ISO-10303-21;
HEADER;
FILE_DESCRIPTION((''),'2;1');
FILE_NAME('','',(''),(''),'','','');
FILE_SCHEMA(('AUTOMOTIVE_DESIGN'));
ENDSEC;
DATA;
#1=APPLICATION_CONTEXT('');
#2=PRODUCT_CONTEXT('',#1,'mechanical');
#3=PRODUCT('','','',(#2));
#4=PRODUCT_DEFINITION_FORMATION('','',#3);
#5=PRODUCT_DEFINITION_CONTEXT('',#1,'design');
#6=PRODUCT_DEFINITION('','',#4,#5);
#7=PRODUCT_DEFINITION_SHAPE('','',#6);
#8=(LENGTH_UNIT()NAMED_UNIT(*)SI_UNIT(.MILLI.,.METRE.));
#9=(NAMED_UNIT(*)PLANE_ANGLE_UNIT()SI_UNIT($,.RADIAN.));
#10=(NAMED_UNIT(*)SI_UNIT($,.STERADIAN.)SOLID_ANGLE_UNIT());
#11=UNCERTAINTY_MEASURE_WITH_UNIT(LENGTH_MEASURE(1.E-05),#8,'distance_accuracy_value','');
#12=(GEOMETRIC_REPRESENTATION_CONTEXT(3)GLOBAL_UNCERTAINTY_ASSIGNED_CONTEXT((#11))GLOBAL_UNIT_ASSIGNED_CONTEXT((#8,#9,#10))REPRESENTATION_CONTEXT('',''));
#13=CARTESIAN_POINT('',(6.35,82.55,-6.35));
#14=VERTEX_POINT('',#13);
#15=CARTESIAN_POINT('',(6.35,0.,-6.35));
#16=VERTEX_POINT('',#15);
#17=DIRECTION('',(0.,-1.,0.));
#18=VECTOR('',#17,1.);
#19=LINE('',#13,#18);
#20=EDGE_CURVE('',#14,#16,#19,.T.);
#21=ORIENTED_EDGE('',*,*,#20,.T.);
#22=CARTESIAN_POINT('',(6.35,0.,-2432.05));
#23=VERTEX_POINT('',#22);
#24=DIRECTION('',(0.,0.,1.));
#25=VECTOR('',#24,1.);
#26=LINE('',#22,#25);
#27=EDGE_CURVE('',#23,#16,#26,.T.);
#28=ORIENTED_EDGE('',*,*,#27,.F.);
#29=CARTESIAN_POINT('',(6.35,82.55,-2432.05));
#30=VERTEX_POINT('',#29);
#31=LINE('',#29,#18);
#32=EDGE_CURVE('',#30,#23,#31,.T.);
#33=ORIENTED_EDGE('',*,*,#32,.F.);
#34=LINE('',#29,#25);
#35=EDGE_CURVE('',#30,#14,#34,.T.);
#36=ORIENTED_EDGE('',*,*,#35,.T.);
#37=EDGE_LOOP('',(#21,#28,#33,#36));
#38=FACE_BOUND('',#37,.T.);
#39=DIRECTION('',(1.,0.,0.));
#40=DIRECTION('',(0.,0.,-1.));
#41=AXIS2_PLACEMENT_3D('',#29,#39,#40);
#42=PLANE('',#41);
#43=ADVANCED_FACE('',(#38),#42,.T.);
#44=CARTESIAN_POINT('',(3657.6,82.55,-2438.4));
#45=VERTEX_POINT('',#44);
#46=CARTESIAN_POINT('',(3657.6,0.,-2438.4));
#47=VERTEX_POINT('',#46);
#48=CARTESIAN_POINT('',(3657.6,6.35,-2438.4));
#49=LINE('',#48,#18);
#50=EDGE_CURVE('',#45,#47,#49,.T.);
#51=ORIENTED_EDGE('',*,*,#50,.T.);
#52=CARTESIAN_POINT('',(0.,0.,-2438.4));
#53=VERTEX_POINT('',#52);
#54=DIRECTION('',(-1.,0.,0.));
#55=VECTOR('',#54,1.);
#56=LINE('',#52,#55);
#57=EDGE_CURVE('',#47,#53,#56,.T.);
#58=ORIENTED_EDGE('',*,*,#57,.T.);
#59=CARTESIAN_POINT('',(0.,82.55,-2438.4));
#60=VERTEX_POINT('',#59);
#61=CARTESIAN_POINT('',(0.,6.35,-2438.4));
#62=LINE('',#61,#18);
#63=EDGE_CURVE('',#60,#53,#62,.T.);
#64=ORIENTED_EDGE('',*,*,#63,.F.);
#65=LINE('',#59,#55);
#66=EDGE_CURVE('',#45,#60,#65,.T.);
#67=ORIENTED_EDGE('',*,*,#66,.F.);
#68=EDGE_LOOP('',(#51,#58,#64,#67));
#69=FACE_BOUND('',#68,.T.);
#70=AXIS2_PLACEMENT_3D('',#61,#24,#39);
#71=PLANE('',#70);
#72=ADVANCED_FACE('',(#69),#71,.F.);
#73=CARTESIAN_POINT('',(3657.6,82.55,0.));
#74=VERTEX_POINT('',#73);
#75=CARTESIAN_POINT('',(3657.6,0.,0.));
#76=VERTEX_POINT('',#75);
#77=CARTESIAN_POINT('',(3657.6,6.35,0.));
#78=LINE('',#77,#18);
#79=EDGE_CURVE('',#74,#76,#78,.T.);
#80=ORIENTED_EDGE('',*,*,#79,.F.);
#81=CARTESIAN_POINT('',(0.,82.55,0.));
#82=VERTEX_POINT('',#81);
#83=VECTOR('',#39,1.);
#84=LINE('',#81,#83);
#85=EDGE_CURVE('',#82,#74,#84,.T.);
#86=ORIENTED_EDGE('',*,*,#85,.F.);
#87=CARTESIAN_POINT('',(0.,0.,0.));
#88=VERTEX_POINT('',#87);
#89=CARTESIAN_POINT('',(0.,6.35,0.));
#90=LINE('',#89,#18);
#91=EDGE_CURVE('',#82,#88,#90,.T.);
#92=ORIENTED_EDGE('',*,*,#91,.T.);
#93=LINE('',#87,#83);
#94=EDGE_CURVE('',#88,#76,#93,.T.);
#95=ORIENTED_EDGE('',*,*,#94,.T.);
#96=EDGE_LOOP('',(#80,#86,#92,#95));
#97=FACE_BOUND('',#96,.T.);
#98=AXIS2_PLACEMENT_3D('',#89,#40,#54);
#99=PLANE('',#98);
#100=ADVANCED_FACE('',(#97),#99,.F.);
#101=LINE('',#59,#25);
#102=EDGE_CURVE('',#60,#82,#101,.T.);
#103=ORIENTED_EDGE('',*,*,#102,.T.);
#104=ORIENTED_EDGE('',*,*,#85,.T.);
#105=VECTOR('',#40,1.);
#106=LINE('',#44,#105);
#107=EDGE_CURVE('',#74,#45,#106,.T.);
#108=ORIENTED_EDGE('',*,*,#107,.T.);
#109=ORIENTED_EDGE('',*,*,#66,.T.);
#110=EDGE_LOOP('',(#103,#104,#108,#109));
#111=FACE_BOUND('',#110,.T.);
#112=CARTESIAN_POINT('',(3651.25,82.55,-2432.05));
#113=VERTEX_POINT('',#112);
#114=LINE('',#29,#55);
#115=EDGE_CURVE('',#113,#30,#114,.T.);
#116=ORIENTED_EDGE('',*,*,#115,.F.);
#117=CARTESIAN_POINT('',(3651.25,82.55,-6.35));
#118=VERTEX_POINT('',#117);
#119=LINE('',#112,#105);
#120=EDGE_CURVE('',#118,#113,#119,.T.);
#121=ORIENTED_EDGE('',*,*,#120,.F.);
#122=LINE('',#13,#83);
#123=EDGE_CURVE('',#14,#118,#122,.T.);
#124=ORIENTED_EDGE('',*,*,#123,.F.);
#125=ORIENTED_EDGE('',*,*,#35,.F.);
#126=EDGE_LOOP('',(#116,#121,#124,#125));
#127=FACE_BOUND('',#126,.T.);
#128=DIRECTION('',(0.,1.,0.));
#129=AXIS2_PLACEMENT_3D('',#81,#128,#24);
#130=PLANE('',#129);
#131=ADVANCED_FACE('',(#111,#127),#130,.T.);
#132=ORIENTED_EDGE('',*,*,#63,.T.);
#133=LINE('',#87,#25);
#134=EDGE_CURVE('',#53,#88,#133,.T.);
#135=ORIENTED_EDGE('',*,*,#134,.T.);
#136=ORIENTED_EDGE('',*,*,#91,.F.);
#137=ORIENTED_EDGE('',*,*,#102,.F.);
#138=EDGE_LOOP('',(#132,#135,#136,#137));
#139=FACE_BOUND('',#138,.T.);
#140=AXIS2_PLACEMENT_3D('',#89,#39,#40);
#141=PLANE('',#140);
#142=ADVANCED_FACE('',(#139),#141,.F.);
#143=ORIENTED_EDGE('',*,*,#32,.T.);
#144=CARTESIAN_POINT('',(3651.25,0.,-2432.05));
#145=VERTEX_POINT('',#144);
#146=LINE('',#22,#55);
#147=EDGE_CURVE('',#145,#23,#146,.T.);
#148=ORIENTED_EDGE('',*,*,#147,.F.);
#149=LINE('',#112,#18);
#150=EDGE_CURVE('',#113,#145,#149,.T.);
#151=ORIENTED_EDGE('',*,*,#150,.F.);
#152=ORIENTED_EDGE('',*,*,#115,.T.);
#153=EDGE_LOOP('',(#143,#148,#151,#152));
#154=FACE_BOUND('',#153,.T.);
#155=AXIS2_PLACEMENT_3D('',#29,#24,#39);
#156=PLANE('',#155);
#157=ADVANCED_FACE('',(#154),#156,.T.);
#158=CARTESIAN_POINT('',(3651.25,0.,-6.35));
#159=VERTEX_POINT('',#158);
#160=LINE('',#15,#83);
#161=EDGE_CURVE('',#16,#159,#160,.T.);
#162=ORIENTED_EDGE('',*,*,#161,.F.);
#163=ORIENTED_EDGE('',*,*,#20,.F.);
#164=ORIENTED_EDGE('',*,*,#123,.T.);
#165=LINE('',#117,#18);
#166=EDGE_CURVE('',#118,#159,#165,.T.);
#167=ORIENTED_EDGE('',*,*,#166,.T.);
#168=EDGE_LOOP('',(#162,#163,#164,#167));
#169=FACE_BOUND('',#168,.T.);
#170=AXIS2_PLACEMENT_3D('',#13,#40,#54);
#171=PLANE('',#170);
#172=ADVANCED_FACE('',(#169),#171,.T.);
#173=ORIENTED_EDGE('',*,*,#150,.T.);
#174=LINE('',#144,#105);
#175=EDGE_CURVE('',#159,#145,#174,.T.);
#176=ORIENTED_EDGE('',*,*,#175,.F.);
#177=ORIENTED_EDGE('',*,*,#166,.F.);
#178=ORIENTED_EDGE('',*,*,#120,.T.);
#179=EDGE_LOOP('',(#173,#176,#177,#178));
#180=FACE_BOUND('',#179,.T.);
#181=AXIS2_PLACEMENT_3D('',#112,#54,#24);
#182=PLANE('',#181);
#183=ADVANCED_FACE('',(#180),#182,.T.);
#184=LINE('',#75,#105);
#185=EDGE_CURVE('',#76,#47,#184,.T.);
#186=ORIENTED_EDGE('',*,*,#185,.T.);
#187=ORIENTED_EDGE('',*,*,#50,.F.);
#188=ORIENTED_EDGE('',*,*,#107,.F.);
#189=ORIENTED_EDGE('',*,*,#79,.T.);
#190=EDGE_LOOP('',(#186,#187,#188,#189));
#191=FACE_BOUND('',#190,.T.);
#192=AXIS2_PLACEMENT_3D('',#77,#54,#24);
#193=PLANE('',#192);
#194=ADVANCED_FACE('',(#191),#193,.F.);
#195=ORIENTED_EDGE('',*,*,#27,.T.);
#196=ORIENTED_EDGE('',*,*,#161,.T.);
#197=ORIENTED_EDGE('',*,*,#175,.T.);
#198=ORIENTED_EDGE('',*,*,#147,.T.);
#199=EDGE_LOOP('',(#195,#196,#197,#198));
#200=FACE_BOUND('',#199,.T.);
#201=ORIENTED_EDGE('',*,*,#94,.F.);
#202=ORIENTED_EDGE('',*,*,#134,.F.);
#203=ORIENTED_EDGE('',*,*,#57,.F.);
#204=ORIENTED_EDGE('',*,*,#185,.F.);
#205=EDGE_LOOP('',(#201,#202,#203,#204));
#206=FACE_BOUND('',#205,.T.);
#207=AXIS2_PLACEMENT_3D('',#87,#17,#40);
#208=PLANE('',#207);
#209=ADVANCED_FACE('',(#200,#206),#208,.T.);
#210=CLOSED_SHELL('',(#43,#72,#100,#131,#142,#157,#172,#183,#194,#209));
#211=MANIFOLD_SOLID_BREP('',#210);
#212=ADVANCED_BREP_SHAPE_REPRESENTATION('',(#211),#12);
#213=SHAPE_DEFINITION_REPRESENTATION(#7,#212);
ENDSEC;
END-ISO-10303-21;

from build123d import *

# Parameters (mm, degrees)
SKETCH1_W           = 3657.6
SKETCH1_H           = 2438.4
BOSS_EXTRUDE1_DEPTH = 6.35
SKETCH3_W           = 3657.6
SKETCH3_H           = 2438.4
SKETCH3_W_2         = 3644.9
SKETCH3_H_2         = 2425.7
BOSS_EXTRUDE2_DEPTH = 76.2
SKETCH4_W           = 3644.9
SKETCH4_H           = 2425.7
CUT_EXTRUDE1_DEPTH  = 7.35


with BuildPart() as part:
    # Sketch1 → Boss-Extrude1 (new body)
    with BuildSketch(Plane(origin=(0, 0, 0), x_dir=(1, 0, 0), z_dir=(0, 1, 0))):
        with Locations((1828.8, 1219.2)):
            Rectangle(SKETCH1_W, SKETCH1_H)
    extrude(amount=BOSS_EXTRUDE1_DEPTH)

    # Sketch3 → Boss-Extrude2 (add)
    with BuildSketch(Plane(origin=(0, 6.35, 0), x_dir=(1, 0, 0), z_dir=(0, 1, 0))):
        with Locations((1828.8, 1219.2)):
            Rectangle(SKETCH3_W, SKETCH3_H)
        with Locations((1828.8, 1219.2)):
            Rectangle(SKETCH3_W_2, SKETCH3_H_2, mode=Mode.SUBTRACT)
    extrude(amount=BOSS_EXTRUDE2_DEPTH)

    # Sketch4 → Cut-Extrude1 (cut, through all)
    with BuildSketch(Plane(origin=(0, 6.35, 0), x_dir=(1, 0, 0), z_dir=(0, 1, 0))):
        with Locations((1828.8, 1219.2)):
            Rectangle(SKETCH4_W, SKETCH4_H)
    extrude(amount=-CUT_EXTRUDE1_DEPTH, mode=Mode.SUBTRACT)


solid = part.part
